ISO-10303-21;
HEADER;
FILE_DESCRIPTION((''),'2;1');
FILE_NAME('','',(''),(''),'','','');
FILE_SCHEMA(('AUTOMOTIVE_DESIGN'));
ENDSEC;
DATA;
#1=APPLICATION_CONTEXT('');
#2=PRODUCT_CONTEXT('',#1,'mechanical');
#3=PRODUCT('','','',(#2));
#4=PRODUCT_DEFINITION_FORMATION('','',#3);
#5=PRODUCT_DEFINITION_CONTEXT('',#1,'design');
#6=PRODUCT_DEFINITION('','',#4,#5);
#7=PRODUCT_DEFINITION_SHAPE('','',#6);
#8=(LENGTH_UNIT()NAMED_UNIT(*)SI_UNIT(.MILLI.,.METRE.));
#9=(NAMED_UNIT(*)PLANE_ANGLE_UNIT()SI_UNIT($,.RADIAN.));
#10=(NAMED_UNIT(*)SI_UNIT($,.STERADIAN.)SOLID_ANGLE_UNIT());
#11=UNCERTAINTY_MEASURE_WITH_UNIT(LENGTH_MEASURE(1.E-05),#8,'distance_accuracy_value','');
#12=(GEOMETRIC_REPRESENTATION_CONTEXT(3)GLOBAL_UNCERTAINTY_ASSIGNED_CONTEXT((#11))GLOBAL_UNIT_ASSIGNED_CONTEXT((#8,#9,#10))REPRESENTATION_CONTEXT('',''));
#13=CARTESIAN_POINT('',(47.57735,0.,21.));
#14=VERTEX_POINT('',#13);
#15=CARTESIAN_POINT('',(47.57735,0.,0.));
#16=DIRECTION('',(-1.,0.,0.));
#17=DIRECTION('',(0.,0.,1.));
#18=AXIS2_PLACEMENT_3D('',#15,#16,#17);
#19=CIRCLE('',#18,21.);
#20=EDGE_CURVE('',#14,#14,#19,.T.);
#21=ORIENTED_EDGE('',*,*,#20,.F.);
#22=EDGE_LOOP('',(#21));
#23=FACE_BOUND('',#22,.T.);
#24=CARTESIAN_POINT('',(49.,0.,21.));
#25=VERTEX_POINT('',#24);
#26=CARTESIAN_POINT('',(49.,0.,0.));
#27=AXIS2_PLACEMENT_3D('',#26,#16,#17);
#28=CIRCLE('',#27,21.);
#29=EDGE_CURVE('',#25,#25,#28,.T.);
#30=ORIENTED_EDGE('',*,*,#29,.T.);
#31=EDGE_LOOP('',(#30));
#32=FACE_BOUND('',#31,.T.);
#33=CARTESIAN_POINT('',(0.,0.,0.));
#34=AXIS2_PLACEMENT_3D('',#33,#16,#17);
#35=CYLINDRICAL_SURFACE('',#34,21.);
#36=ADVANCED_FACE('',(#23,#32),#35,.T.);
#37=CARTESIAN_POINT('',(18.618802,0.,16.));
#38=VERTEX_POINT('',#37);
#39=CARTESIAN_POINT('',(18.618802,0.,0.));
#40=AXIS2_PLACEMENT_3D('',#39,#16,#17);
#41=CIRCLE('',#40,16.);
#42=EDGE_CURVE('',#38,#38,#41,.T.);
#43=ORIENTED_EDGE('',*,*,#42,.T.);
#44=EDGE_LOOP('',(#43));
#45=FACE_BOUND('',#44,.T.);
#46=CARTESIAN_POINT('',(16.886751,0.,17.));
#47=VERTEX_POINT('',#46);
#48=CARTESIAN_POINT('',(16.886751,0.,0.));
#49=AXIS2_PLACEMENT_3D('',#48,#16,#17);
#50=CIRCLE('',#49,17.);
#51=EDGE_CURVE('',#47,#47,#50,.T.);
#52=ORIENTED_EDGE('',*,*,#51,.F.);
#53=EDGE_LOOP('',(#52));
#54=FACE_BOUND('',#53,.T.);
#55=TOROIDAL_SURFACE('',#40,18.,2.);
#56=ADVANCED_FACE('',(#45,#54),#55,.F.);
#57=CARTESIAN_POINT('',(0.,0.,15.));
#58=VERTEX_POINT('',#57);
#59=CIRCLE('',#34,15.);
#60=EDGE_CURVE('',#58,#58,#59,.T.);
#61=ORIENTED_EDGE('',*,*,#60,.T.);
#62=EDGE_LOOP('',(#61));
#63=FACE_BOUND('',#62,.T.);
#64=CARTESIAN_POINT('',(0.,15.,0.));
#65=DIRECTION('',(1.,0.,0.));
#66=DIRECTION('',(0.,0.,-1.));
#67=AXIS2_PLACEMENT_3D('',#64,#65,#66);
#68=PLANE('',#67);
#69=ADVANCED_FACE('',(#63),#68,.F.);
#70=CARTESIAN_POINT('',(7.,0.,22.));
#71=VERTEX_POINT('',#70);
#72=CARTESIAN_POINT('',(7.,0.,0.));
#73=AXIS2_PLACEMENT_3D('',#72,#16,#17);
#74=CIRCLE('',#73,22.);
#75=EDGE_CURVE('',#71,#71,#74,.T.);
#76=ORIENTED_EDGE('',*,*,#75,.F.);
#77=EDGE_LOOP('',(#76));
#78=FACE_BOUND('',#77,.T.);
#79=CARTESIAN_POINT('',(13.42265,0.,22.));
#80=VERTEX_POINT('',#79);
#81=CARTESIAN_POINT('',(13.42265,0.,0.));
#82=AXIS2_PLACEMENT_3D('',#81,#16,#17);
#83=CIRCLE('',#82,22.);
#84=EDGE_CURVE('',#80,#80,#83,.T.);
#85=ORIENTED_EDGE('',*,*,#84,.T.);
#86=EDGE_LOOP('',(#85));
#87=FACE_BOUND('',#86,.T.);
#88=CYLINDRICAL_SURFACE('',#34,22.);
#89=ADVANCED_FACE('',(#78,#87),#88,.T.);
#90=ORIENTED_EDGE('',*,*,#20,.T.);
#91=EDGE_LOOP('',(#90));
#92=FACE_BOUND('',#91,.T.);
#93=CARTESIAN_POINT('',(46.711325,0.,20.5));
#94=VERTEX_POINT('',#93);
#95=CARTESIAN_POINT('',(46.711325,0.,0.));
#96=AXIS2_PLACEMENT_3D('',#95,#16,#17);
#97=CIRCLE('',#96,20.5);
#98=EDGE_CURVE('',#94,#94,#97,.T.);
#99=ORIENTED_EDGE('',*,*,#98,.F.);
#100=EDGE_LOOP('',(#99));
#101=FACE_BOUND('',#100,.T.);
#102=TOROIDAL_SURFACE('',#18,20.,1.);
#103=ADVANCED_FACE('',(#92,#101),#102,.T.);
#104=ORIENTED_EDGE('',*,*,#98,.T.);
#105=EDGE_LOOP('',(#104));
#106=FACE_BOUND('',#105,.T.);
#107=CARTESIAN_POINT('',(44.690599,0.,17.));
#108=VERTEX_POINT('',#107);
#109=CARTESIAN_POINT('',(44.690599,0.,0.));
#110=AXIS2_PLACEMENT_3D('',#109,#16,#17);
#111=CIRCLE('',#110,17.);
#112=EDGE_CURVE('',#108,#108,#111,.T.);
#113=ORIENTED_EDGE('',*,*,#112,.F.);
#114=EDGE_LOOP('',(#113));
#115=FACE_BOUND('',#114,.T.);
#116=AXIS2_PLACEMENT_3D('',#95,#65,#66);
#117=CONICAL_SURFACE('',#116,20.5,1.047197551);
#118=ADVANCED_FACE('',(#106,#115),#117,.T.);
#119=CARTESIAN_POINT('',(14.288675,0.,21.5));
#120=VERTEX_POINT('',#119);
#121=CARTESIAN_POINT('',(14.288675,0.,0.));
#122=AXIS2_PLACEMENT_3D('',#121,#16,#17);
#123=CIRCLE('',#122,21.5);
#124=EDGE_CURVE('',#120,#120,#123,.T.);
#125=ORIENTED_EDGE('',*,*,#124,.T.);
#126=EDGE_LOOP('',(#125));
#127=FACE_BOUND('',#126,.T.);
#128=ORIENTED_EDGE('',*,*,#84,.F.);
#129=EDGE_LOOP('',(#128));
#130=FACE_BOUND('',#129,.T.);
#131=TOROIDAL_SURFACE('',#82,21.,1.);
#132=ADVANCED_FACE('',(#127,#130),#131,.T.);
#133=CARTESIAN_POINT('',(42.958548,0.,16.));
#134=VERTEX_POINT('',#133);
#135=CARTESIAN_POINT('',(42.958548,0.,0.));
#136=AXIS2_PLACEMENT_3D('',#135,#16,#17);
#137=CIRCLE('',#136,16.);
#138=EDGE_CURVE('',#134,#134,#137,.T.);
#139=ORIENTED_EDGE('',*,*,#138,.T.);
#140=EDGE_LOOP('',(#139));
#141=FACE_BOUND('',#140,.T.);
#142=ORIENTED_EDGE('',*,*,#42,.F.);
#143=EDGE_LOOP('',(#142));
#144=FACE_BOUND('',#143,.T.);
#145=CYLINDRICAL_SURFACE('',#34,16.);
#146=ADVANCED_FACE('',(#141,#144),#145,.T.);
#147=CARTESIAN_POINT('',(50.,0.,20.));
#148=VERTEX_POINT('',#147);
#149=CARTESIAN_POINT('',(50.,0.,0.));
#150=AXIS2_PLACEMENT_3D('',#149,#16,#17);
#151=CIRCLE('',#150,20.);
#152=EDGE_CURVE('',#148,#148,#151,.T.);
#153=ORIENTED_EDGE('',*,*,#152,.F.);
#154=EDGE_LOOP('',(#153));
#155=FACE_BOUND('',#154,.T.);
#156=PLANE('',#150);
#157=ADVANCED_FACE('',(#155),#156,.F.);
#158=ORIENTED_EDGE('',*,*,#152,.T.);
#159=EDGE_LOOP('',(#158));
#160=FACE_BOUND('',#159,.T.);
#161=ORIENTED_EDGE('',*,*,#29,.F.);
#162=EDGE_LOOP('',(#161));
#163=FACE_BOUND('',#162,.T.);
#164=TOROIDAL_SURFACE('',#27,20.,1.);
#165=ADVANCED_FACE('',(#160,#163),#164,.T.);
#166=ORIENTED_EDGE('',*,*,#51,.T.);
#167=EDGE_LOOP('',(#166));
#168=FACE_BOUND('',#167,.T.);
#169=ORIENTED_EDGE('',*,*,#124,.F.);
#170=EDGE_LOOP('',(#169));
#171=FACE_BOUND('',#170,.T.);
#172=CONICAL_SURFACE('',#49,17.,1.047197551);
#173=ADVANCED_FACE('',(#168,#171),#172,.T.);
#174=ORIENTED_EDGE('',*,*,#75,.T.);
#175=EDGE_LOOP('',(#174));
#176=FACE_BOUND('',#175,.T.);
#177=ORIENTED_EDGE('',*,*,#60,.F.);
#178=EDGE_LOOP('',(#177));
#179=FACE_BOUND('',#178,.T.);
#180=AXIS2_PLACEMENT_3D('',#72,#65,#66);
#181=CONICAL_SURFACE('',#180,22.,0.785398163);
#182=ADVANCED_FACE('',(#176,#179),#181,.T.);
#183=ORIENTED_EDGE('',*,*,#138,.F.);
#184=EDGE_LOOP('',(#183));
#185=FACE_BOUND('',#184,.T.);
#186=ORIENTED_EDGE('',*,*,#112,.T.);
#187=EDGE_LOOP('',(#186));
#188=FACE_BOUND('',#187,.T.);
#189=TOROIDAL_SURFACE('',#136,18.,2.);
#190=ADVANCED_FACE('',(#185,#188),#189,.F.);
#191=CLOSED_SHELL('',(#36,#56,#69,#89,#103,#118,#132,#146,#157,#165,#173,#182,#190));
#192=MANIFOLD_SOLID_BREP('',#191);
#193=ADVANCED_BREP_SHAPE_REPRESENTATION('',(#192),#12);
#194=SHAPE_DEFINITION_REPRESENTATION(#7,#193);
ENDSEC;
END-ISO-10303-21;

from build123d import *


with BuildPart() as part:
    # Sketch1 → Revolve1 (revolve)
    with BuildSketch(Plane.XY):
        with BuildLine():
            Line((50, 0), (50, 20))
            ThreePointArc((50, 20), (49.707106781, 20.707106781), (49, 21))
            Line((49, 21), (47.577350269, 21))
            ThreePointArc((47.577350269, 21), (47.077350269, 20.866025404), (46.711324865, 20.5))
            Line((46.711324865, 20.5), (44.690598923, 17))
            ThreePointArc((44.690598923, 17), (43.958548116, 16.267949192), (42.958548116, 16))
            Line((42.958548116, 16), (18.618802154, 16))
            ThreePointArc((18.618802154, 16), (17.618802154, 16.267949192), (16.886751346, 17))
            Line((16.886751346, 17), (14.288675135, 21.5))
            ThreePointArc((14.288675135, 21.5), (13.922649731, 21.866025404), (13.422649731, 22))
            Line((13.422649731, 22), (7, 22))
            Line((7, 22), (0, 15))
            Line((0, 15), (0, 0))
            Line((0, 0), (50, 0))
        make_face()
    revolve(axis=Axis((0, 0, 0), (1, 0, 0)))


solid = part.part
